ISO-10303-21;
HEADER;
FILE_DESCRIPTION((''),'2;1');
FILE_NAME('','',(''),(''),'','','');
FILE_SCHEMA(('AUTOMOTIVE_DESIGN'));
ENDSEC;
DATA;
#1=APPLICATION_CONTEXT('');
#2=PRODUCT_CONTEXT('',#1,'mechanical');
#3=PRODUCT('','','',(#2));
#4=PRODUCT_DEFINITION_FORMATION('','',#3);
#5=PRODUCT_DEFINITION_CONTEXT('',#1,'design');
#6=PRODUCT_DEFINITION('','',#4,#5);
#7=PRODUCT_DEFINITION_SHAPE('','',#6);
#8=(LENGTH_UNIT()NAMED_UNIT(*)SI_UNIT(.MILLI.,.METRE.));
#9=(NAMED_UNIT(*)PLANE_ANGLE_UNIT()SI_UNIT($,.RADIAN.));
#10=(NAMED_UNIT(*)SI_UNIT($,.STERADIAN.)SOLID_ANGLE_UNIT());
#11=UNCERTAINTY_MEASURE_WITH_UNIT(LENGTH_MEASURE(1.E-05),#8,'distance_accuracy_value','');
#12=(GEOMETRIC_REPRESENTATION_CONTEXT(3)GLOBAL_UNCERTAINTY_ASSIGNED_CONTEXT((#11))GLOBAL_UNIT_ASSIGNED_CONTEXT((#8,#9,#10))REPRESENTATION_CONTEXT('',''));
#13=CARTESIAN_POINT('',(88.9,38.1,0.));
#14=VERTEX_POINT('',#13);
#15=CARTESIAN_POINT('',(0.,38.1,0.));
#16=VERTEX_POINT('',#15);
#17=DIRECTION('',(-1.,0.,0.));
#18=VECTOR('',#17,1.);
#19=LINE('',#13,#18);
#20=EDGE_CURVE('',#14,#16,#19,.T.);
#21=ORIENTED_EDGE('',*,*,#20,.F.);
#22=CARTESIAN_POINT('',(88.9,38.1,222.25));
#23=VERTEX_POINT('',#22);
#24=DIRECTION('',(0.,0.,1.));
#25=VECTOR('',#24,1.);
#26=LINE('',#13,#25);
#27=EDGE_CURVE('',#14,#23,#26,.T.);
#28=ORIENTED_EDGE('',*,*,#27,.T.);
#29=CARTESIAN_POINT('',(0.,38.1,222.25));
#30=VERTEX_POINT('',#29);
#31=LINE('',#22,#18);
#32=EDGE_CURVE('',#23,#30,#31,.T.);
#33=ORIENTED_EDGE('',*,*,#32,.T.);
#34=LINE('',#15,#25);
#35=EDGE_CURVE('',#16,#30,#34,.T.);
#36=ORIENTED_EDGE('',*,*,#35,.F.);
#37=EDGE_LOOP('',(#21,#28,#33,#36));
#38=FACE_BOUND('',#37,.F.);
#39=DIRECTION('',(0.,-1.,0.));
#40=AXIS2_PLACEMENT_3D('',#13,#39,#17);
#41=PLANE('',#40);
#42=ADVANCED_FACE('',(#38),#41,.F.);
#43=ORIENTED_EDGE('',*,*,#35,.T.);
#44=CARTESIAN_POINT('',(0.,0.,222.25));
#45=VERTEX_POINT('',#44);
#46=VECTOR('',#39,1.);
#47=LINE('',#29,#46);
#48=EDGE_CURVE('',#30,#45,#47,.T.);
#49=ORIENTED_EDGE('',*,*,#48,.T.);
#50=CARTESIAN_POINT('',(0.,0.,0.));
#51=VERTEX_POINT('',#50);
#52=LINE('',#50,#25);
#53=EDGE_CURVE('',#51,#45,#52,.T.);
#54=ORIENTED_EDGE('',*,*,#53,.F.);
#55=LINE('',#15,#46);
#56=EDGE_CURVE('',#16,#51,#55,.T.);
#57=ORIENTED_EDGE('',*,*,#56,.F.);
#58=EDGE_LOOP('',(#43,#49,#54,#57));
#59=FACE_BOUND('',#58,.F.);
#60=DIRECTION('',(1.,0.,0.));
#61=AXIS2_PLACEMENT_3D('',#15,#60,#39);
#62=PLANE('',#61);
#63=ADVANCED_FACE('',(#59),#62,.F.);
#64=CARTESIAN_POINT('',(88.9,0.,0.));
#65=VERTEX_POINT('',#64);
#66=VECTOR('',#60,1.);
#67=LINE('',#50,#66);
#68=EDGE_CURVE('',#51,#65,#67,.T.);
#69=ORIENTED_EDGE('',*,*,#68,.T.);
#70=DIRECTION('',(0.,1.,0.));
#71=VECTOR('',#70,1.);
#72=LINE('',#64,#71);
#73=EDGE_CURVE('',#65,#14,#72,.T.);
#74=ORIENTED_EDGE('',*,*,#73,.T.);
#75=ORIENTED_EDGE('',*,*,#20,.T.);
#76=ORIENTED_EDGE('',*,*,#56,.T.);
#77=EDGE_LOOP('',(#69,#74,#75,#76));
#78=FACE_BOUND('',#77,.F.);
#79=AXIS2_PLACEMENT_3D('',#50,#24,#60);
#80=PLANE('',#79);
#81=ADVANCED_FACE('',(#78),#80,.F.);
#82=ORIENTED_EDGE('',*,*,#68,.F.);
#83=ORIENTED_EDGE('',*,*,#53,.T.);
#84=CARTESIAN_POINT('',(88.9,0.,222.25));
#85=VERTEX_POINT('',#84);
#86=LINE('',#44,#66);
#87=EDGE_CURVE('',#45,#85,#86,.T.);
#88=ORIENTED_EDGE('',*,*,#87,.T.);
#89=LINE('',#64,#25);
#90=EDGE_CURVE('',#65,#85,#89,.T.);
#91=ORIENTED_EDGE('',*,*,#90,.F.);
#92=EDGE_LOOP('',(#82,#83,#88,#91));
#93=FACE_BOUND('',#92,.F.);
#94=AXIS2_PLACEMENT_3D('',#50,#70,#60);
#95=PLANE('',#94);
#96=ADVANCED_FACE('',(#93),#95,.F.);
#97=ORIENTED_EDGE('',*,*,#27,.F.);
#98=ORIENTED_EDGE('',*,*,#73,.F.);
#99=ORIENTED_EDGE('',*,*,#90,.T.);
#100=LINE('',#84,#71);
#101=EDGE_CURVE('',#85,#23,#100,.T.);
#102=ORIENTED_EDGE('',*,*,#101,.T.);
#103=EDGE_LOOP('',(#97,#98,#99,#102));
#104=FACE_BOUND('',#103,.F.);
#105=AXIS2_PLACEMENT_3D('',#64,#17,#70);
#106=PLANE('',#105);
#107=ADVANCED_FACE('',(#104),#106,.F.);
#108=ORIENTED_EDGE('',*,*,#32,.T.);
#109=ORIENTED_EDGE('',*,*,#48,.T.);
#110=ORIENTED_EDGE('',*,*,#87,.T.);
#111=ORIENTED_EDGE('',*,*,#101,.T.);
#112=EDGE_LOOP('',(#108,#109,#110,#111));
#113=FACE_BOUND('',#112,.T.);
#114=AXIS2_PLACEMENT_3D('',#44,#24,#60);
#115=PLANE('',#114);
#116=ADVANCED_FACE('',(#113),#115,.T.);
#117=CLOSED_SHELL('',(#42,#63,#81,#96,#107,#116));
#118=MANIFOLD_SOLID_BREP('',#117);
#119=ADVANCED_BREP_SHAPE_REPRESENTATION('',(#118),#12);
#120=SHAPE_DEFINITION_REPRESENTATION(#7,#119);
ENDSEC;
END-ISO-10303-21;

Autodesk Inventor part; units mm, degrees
ref_plane "YZ Plane" through (0, 0, 0) normal (1, 0, 0) x (0, 1, 0)
ref_plane "XZ Plane" through (0, 0, 0) normal (0, 1, 0) x (-1, 0, 0)
ref_plane "XY Plane" through (0, 0, 0) normal (0, 0, 1) x (1, 0, 0)
sketch "Sketch1" plane through (0, 0, 0) normal (0, 0, 1) x (1, 0, 0)
  line L0 (0, 0) -> (88.9, 0)
  line L1 (88.9, 0) -> (88.9, 38.1)
  line L2 (88.9, 38.1) -> (0, 38.1)
  line L3 (0, 38.1) -> (0, 0)
  dimension "d0" = 88.9
  dimension "d1" = 38.1
extrude "Extrusion1" add sketch "Sketch1" along normal blind 222.25
properties part number "BA11" material "Wood (Oak)"
